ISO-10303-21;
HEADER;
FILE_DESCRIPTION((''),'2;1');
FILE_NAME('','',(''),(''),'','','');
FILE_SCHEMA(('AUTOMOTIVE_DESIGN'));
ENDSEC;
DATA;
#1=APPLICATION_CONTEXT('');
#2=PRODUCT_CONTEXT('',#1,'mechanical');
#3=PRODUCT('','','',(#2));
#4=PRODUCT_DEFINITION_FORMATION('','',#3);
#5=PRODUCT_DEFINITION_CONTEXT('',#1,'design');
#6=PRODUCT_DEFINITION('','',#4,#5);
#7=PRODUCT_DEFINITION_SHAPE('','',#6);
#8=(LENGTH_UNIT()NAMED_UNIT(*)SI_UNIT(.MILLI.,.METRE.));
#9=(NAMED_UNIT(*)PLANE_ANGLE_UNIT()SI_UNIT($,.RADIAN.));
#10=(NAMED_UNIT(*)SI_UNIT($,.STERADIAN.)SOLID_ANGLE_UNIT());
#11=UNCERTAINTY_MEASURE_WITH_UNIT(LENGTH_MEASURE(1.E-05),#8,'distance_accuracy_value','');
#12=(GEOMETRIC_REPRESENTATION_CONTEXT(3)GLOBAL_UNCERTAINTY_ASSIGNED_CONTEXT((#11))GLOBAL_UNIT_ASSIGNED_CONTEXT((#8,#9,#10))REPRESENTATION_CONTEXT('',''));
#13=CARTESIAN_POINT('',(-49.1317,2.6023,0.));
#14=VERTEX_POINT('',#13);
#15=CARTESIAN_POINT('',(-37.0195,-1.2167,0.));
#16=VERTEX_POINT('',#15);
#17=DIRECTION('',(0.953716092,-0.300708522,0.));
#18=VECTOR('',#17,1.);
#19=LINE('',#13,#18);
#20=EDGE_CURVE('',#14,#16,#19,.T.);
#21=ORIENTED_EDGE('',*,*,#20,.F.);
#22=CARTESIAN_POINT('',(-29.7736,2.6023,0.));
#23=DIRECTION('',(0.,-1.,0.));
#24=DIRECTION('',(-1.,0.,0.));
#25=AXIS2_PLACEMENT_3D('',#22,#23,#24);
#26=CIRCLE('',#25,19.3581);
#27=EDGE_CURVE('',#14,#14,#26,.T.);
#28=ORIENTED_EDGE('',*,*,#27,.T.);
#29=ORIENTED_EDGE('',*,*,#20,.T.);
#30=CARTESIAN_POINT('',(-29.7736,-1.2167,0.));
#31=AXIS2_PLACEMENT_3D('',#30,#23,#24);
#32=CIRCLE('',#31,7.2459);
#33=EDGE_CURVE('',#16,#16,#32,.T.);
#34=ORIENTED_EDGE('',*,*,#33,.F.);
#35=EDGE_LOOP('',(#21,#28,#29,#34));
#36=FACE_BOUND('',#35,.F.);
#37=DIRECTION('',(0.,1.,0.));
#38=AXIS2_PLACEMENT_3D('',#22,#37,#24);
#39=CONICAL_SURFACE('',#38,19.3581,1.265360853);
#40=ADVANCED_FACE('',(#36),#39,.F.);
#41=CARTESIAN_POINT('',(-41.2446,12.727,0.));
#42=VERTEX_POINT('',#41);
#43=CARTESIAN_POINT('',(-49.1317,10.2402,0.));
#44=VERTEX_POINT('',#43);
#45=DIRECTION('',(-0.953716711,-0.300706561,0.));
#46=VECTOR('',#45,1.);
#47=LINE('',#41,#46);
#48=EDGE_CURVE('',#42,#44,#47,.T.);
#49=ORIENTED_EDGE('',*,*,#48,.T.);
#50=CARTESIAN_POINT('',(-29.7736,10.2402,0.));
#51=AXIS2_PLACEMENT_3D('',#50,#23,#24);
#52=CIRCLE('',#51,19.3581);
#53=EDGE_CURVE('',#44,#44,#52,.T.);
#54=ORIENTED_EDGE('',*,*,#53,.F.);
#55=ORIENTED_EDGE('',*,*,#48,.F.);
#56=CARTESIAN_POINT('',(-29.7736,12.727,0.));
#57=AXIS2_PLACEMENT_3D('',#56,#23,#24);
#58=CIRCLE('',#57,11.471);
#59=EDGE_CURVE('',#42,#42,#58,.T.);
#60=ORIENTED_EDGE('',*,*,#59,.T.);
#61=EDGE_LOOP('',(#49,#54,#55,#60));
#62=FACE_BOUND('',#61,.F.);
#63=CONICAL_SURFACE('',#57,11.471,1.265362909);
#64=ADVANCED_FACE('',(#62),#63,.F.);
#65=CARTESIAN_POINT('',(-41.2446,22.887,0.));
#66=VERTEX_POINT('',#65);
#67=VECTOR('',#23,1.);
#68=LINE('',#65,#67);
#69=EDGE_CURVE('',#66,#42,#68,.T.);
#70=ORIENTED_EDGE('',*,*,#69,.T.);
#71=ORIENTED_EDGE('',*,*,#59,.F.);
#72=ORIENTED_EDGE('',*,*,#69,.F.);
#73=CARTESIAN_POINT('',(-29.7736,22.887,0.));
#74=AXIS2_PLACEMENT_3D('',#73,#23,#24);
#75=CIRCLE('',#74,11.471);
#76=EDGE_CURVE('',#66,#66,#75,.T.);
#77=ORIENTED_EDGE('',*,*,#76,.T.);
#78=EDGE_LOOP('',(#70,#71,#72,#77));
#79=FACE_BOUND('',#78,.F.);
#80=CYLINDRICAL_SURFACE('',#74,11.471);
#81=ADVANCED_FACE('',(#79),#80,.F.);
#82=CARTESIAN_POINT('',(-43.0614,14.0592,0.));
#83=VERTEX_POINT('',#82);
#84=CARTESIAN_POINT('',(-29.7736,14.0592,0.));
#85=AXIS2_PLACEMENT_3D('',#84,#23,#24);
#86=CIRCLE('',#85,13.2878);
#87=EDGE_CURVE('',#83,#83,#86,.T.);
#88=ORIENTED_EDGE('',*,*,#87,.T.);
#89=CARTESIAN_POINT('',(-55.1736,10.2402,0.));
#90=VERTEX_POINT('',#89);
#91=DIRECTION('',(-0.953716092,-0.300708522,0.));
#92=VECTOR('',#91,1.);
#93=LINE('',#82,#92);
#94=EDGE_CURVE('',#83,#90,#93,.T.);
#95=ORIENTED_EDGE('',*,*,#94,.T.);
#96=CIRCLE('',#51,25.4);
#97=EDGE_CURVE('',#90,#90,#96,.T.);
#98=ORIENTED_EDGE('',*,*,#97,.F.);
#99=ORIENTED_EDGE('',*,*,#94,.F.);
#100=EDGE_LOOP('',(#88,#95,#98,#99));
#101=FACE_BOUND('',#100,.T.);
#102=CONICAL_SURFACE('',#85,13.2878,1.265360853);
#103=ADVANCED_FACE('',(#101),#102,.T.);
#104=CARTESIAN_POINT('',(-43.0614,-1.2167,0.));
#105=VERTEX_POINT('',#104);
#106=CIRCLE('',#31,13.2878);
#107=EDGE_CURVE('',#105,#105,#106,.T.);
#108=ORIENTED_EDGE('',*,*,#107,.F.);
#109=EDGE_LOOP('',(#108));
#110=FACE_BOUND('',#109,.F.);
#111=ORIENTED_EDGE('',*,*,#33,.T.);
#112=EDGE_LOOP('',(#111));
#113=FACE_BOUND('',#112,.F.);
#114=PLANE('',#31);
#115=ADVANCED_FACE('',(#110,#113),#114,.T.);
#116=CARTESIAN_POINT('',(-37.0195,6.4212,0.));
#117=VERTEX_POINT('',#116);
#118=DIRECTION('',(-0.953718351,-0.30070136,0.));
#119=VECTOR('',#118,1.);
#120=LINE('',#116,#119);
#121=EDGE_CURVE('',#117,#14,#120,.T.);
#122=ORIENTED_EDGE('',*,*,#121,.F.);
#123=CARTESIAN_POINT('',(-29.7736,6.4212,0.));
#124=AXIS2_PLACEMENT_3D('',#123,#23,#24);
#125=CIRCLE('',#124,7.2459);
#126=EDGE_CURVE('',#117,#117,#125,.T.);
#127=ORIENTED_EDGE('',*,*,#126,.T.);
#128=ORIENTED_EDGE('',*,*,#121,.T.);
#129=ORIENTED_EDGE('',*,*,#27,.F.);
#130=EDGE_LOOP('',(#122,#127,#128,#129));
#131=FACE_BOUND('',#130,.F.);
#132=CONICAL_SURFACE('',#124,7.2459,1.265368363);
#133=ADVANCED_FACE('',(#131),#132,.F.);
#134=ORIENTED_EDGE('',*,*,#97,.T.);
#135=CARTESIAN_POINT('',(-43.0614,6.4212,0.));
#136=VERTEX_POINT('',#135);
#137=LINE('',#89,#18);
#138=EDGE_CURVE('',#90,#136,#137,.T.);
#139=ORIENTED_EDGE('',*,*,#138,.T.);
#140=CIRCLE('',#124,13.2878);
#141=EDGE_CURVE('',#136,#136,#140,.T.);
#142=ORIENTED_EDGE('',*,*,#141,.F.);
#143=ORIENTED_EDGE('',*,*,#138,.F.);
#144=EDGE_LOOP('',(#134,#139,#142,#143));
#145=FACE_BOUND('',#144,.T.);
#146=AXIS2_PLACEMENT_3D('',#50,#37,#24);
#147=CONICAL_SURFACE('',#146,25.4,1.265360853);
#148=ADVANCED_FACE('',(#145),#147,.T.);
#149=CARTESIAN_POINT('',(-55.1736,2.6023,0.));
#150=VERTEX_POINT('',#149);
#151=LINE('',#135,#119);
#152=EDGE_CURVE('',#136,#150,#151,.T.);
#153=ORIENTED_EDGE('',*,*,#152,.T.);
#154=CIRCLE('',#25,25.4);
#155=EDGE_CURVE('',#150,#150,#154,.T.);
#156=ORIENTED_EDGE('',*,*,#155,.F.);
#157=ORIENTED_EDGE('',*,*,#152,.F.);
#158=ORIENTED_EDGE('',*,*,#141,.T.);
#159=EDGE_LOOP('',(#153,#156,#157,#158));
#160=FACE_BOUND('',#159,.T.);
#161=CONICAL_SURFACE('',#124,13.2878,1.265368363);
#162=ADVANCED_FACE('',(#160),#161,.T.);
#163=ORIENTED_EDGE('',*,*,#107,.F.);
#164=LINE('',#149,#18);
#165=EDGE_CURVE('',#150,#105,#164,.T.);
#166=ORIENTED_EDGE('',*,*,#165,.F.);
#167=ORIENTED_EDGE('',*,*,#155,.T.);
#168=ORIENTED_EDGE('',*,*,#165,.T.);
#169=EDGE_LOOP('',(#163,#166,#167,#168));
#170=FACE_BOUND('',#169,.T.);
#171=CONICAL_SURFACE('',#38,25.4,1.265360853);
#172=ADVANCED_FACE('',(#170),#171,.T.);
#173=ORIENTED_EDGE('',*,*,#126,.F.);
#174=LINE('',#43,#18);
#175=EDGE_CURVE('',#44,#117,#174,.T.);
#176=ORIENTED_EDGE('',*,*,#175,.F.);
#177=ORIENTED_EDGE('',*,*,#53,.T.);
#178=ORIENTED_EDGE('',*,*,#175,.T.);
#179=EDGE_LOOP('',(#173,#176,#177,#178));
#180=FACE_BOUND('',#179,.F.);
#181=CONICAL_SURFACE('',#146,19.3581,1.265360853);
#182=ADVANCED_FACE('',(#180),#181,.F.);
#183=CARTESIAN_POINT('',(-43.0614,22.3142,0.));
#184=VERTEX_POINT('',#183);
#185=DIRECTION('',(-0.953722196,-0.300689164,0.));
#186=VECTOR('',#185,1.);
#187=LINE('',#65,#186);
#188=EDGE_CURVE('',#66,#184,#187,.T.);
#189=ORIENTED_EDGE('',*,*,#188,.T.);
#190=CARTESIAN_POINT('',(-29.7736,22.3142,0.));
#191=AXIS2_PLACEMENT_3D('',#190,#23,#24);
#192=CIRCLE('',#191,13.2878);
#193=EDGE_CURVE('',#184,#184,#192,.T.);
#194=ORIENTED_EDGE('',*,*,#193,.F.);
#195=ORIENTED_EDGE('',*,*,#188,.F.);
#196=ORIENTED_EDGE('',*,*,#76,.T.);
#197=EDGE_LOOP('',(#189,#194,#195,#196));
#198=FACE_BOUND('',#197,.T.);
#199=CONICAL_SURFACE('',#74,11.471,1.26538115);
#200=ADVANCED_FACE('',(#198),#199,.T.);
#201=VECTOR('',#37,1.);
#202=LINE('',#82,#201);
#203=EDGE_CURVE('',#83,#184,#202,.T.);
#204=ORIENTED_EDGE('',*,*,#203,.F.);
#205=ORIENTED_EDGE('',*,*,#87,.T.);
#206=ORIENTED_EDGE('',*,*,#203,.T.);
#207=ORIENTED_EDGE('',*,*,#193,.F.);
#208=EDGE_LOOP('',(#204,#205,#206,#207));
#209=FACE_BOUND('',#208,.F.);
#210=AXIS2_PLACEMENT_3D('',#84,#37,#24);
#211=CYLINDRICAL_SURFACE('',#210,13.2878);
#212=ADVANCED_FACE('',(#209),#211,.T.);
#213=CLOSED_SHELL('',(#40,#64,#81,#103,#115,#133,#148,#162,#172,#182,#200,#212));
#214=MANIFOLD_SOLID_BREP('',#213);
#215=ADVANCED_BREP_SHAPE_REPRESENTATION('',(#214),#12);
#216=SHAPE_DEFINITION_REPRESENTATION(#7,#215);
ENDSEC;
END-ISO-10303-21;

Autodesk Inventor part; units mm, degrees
ref_plane "YZ Plane" through (0, 0, 0) normal (1, 0, 0) x (0, 1, 0)
ref_plane "XY Plane" through (0, 0, 0) normal (0, 0, 1) x (1, 0, 0)
sketch "Sketch1" plane through (0, 0, 0) normal (0, 0, 1) x (1, 0, 0)
  line L0 (-43.0614, 14.0592) -> (-55.1736, 10.2402)
  line L1 (-55.1736, 10.2402) -> (-43.0614, 6.4212)
  line L2 (-43.0614, 6.4212) -> (-55.1736, 2.6023)
  line L3 (-55.1736, 2.6023) -> (-43.0614, -1.2167)
  line L4 (-43.0614, 14.0592) -> (-43.0614, 22.3142)
  line L5 (-41.2446, 22.887) -> (-41.2446, 12.727)
  line L6 (-41.2446, 12.727) -> (-49.1317, 10.2402)
  line L7 (-49.1317, 10.2402) -> (-37.0195, 6.4212)
  line L8 (-37.0195, 6.4212) -> (-49.1317, 2.6023)
  line L9 (-49.1317, 2.6023) -> (-37.0195, -1.2167)
  line L10 (-41.2446, 22.887) -> (-43.0614, 22.3142)
  line L11 (-29.7736, 28.5538) -> (-29.7736, -8.0637)
  line L12 (8.7272, 15.7537) -> (-3.385, 11.9347)
  line L13 (14.7691, 15.7537) -> (-2.8387, 10.202)
  line L14 (-2.8387, 10.202) -> (-3.385, 11.9347)
  line L15 (14.7691, 15.7537) -> (8.7272, 15.7537)
  line L16 (-37.0195, -1.2167) -> (-43.0614, -1.2167)
  point P0 (0, 0)
  dimension "d1" = 12.7
  dimension "d2" = 12.7
  dimension "d3" = 8.255
  dimension "d4" = 1.905
  dimension "d7" = 25.4
revolve "Revolution1" add sketch "Sketch1" angle 360 about axis through (-29.7736, 28.5538, 0) along (0, -1, 0) contours L4 L10 L5 L6 L7 L8 L9 L16 L3 L2 L1 L0
ref_plane "Work Plane1" through (0, 23.8125, 0) normal (0, 1, 0) x (-1, 0, 0)
properties part number "Suctin Cup Part 1 1764"
